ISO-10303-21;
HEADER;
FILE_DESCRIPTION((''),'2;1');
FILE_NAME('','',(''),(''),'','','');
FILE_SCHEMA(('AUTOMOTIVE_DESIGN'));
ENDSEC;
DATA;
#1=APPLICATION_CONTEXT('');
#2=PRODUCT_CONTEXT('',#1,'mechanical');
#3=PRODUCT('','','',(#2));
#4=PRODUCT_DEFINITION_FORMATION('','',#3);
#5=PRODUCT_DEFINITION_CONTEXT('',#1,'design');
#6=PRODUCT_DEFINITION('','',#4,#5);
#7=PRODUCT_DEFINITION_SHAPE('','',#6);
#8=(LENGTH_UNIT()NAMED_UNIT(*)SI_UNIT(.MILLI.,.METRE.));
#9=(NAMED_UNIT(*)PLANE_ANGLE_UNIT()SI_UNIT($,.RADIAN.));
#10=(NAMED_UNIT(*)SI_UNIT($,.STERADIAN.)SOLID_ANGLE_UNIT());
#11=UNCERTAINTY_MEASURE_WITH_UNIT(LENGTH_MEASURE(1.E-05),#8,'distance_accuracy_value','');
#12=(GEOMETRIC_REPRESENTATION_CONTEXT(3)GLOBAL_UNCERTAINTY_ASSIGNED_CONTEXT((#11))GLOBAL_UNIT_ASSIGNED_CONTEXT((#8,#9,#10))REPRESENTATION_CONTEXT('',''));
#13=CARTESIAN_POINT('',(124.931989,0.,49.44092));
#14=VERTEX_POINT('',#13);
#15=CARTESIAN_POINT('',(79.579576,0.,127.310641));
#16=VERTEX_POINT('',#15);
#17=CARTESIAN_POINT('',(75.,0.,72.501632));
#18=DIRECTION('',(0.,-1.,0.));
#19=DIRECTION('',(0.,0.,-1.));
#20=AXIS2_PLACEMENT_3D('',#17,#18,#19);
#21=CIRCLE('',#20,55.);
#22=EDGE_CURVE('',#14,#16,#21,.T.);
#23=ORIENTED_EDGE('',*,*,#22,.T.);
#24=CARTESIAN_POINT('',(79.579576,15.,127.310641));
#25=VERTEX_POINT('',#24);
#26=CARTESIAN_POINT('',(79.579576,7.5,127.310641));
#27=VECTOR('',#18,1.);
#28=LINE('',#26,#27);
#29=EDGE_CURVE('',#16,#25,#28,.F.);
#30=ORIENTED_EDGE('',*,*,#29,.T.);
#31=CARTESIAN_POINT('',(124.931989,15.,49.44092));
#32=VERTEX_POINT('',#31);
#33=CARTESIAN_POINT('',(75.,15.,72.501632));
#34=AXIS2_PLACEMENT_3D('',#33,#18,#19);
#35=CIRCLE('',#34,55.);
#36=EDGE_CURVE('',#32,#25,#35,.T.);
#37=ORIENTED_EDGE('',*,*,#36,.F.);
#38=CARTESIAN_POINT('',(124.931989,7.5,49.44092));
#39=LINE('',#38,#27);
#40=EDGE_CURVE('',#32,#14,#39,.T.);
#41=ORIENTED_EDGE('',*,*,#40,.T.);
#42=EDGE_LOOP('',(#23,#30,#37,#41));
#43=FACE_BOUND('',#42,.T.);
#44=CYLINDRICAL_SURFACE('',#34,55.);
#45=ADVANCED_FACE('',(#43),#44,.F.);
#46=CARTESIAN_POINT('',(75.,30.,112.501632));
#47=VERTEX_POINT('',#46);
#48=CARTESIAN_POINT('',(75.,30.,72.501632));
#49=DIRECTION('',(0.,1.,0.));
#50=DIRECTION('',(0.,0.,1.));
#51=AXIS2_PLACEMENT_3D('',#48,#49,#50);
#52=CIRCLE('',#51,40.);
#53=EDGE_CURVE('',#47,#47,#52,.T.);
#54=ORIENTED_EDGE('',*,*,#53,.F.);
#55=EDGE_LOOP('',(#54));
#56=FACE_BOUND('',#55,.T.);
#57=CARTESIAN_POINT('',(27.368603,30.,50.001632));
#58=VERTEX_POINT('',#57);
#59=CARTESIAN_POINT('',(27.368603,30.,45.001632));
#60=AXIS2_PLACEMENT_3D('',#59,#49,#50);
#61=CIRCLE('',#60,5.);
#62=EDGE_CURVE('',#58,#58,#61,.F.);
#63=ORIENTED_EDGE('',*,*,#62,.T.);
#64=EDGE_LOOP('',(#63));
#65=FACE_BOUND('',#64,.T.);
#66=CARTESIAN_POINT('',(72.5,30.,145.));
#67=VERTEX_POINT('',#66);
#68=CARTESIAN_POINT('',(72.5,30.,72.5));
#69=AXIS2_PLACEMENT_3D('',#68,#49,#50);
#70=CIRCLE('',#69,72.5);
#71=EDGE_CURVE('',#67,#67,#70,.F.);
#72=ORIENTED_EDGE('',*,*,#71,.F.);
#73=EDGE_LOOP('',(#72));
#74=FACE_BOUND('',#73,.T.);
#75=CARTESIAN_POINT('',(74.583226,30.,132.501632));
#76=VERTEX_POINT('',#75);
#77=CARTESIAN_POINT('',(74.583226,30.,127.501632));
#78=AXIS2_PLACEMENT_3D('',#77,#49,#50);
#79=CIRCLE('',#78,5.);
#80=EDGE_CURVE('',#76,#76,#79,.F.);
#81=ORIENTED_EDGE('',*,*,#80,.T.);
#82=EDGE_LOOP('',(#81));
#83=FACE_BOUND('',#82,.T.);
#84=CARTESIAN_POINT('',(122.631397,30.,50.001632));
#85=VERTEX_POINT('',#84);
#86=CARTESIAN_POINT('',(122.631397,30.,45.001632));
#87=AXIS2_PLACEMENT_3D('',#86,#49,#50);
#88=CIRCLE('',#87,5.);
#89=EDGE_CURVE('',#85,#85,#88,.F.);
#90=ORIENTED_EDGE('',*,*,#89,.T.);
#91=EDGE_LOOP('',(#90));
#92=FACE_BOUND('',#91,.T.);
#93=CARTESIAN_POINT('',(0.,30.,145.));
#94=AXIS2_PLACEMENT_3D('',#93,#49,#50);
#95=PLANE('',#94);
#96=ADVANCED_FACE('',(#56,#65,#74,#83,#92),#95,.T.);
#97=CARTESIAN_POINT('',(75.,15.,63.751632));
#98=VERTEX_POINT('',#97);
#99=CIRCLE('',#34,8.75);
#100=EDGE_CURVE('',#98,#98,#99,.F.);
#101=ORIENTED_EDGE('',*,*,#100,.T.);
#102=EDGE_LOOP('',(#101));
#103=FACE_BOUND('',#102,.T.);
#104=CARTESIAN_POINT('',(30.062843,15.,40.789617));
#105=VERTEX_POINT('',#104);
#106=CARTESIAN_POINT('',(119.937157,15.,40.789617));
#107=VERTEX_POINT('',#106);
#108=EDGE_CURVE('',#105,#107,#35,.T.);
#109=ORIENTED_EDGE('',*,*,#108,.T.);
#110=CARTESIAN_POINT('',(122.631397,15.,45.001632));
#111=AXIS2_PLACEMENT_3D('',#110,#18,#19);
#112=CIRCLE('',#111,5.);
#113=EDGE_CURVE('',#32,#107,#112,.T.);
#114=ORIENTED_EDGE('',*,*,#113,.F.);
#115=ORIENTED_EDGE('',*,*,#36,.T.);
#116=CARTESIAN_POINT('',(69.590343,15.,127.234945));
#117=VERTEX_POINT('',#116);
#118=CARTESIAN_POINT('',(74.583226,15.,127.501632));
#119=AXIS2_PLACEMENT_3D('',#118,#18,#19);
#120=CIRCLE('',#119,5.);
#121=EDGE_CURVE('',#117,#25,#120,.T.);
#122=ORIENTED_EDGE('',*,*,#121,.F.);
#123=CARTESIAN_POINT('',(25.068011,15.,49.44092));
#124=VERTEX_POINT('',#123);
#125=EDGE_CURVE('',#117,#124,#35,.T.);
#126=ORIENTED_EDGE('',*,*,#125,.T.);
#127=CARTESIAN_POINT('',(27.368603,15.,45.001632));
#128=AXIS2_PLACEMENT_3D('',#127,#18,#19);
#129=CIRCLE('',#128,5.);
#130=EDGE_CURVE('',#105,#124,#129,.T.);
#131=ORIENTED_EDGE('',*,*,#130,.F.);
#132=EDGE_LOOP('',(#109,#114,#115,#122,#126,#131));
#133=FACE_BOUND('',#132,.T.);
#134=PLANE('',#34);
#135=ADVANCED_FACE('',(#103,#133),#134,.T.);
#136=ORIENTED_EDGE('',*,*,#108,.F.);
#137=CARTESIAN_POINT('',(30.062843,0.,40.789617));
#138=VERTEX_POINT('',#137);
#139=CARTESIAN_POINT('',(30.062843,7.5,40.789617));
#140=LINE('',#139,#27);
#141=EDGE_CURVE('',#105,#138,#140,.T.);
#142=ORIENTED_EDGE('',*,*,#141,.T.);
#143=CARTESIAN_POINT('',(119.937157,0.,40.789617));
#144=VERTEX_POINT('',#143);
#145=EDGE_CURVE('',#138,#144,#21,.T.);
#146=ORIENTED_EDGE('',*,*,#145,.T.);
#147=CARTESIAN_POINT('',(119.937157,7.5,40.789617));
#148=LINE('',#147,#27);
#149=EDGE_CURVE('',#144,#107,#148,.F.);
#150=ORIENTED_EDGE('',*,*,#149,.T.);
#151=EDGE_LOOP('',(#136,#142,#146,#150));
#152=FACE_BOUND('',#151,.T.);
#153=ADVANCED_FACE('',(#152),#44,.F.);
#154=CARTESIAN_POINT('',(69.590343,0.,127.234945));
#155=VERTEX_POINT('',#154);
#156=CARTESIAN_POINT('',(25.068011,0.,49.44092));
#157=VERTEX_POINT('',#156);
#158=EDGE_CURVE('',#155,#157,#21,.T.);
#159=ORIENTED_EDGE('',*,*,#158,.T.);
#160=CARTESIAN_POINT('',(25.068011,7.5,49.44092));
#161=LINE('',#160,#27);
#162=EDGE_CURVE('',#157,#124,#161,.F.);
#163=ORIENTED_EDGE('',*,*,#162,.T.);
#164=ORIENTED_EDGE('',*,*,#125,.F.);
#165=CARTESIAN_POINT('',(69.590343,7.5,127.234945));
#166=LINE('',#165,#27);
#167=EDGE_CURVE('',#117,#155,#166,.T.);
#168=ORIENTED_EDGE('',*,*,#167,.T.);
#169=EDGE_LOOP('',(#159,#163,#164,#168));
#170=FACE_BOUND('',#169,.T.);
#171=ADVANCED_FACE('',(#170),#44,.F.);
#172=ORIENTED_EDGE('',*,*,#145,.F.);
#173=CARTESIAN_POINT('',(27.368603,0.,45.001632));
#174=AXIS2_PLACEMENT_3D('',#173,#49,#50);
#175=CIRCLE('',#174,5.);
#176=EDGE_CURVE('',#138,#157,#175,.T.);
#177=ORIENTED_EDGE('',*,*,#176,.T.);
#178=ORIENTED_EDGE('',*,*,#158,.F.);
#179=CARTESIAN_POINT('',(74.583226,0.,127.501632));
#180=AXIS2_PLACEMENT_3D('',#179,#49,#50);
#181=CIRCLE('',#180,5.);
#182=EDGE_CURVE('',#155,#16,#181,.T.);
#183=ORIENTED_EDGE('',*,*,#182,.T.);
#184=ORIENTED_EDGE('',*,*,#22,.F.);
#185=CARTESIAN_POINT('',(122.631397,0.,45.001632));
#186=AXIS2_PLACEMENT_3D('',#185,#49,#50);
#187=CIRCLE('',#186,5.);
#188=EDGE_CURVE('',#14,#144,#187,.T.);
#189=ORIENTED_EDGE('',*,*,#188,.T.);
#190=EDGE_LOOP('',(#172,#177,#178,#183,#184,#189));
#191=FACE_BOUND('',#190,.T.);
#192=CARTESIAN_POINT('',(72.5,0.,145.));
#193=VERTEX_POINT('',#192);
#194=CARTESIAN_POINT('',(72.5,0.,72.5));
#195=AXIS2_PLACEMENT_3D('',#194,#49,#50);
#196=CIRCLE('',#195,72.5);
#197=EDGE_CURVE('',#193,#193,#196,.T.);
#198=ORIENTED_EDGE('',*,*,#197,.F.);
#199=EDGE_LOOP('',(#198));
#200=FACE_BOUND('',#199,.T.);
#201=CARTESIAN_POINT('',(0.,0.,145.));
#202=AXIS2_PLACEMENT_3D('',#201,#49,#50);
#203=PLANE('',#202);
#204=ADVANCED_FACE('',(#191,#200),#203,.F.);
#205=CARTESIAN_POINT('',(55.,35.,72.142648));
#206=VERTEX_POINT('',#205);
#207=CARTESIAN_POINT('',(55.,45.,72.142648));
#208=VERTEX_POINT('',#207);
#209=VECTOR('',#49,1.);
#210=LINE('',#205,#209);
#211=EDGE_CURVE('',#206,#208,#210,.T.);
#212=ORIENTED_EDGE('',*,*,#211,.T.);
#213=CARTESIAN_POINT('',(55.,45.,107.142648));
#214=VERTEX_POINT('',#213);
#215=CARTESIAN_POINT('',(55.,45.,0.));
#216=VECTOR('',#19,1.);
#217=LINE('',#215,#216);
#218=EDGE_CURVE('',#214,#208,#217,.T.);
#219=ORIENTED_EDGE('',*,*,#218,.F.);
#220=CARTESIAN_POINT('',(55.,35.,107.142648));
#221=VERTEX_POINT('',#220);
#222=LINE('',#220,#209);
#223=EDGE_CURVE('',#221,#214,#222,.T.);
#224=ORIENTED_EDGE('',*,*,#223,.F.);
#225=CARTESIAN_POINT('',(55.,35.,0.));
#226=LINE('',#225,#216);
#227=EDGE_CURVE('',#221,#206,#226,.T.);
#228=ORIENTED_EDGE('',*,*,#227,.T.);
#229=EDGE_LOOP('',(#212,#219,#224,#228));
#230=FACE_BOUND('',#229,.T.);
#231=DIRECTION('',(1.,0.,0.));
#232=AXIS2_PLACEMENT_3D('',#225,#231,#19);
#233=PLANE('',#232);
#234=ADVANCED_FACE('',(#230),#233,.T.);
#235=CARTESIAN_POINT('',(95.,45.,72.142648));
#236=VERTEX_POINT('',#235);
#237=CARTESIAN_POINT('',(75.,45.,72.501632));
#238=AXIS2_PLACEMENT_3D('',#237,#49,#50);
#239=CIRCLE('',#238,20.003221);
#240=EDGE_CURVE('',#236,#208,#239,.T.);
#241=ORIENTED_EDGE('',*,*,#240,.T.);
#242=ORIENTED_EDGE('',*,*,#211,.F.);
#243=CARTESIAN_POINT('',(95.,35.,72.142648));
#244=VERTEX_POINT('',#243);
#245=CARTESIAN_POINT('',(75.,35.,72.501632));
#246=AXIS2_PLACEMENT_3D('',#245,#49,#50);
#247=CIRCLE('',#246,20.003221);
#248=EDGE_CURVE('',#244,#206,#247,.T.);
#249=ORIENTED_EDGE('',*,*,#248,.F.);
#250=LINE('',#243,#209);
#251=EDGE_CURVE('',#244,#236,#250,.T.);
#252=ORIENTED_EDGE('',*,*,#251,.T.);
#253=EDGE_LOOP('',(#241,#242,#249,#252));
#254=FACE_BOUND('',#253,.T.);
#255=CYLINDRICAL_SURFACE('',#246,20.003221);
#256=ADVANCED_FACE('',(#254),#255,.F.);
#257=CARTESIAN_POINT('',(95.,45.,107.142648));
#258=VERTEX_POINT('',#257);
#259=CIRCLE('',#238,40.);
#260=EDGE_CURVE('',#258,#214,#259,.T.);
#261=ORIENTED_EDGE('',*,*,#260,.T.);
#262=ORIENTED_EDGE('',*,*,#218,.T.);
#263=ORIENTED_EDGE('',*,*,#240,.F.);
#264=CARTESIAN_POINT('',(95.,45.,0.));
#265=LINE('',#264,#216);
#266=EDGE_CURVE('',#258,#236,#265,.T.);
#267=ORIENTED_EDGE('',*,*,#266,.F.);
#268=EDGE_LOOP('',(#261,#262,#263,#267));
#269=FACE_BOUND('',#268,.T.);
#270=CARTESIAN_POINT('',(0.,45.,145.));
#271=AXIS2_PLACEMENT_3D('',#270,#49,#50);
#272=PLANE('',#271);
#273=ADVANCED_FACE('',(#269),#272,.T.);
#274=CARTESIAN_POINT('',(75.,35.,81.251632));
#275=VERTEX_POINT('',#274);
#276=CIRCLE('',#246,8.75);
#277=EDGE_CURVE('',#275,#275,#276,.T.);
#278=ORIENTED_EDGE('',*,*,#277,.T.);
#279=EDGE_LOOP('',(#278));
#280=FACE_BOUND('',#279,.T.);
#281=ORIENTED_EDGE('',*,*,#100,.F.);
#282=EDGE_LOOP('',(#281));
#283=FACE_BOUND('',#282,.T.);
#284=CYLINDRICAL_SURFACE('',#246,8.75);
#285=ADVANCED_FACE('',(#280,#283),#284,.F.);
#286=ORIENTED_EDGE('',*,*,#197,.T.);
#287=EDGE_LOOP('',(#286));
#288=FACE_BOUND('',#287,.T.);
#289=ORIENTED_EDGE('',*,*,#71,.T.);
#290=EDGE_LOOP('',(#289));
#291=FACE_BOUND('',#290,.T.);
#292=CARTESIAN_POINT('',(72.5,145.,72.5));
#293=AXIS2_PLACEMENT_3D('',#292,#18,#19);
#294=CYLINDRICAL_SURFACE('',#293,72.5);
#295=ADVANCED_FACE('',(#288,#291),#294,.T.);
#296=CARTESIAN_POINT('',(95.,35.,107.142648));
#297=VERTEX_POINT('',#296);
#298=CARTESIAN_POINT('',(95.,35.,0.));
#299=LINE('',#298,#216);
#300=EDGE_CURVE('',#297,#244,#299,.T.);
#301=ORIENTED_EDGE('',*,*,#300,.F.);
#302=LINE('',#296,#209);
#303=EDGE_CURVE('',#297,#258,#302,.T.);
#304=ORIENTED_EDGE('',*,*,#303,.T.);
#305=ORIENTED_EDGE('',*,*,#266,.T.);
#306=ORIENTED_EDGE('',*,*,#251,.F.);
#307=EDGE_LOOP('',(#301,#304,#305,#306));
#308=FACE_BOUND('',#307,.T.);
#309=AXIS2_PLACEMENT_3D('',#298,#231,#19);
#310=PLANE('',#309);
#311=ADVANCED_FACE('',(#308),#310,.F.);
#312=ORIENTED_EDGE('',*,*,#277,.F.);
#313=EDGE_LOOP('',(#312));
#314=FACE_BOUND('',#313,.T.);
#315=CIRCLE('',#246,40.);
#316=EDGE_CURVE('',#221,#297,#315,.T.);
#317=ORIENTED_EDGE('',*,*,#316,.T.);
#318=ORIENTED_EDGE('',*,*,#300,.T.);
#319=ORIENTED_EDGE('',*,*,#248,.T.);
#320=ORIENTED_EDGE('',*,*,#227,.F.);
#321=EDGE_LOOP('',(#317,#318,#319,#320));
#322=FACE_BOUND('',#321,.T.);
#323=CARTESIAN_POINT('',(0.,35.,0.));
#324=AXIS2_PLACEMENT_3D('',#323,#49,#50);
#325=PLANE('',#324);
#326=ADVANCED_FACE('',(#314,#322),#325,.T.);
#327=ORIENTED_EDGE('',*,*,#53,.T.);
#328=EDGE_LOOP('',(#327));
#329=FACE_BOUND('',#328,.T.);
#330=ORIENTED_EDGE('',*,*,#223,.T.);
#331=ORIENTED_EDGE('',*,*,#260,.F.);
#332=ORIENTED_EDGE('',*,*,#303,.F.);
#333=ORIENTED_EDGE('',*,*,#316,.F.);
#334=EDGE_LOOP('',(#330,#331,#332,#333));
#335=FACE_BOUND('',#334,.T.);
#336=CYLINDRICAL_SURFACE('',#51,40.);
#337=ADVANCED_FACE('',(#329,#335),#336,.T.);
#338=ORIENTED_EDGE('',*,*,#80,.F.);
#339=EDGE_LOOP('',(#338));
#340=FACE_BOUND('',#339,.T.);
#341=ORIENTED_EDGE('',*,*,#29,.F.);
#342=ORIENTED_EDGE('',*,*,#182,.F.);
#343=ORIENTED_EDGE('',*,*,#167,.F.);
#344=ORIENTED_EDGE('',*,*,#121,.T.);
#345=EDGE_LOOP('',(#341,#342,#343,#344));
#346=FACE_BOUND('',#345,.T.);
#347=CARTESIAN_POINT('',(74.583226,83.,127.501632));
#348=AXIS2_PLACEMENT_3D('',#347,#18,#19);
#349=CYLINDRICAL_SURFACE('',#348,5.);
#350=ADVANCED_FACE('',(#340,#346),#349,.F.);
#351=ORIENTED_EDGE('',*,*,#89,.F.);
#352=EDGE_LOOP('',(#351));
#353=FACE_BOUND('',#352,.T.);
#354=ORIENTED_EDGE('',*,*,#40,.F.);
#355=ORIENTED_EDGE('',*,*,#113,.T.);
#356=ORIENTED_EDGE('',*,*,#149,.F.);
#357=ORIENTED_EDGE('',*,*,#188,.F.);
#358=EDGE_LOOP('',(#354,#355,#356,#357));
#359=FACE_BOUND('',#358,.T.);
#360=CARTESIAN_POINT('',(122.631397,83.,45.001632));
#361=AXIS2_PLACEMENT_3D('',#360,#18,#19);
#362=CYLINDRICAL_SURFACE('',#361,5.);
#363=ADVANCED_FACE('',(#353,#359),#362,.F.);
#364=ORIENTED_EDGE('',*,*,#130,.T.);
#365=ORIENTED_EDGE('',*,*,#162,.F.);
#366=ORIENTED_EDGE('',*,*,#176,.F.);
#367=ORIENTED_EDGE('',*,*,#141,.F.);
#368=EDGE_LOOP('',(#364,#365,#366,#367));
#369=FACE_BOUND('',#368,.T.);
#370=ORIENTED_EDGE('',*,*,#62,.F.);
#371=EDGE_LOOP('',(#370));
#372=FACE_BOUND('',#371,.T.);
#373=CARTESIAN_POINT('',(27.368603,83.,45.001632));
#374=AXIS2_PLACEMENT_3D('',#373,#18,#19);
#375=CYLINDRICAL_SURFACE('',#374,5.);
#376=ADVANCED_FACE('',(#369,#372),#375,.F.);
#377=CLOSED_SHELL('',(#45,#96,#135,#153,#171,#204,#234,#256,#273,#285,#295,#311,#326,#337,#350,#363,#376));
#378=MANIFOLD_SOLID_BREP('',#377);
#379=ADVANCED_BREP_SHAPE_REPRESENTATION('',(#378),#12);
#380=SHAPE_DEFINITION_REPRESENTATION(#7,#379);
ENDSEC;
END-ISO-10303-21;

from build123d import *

# Parameters (mm, degrees)
SKETCH1_W              = 150
SKETCH1_H              = 30
SKETCH1_W_2            = 80
SKETCH1_H_2            = 15
BOSS_EXTRUDE1_DEPTH    = 145
CUT_EXTRUDE1_DEPTH     = 145
CUT_EXTRUDE2_DEPTH     = 15
CUT_EXTRUDE3_DEPTH     = 10
M20_TAPPED_HOLE1_D     = 17.5
M20_TAPPED_HOLE1_DEPTH = 40
M20_TAPPED_HOLE1_TIP   = 5.257530416
SKETCH7_R              = 5
CUT_EXTRUDE4_DEPTH     = 83
SKETCH8_R              = 55
CUT_EXTRUDE5_DEPTH     = 15


with BuildPart() as part:
    # Sketch1 → Boss-Extrude1 (new body)
    with BuildSketch(Plane.XY):
        with Locations((75, 15)):
            Rectangle(SKETCH1_W, SKETCH1_H)
        with Locations((75, 37.5)):
            Rectangle(SKETCH1_W_2, SKETCH1_H_2)
    extrude(amount=BOSS_EXTRUDE1_DEPTH)

    # Sketch2 → Cut-Extrude1 (cut)
    with BuildSketch(Plane(origin=(0, 0, 0), x_dir=(1, 0, 0), z_dir=(0, 1, 0))):
        with BuildLine():
            Line((72.5, 0), (0, 0))
            Line((0, 0), (0, -72.5))
            ThreePointArc((0, -72.5), (21.234758364, -21.234758364), (72.5, 0))
        make_face()
        with BuildLine():
            ThreePointArc((72.5, -145), (21.234758364, -123.765241636), (0, -72.5))
            Line((0, -72.5), (0, -145))
            Line((0, -145), (72.5, -145))
        make_face()
        with BuildLine():
            Line((150, 0), (72.5, 0))
            ThreePointArc((72.5, 0), (123.765241636, -21.234758364), (145, -72.5))
            ThreePointArc((145, -72.5), (123.765241636, -123.765241636), (72.5, -145))
            Line((72.5, -145), (150, -145))
            Line((150, -145), (150, 0))
        make_face()
    extrude(amount=CUT_EXTRUDE1_DEPTH, mode=Mode.SUBTRACT)

    # Sketch3 → Cut-Extrude2 (cut)
    with BuildSketch(Plane(origin=(0, 45, 0), x_dir=(1, 0, 0), z_dir=(0, 1, 0))):
        with BuildLine():
            ThreePointArc((115, -13.763299378), (75.498630618, -0.062038858), (35, -10.45163177))
            Line((35, -10.45163177), (35, -72.50163177))
            ThreePointArc((35, -72.50163177), (75, -32.50163177), (115, -72.50163177))
            Line((115, -72.50163177), (115, -13.763299378))
        make_face()
        with BuildLine():
            ThreePointArc((115, -72.50163177), (75, -112.50163177), (35, -72.50163177))
            Line((35, -72.50163177), (35, -134.54836823))
            ThreePointArc((35, -134.54836823), (75.498630618, -144.937961142), (115, -131.236700622))
            Line((115, -131.236700622), (115, -72.50163177))
        make_face()
    extrude(amount=-CUT_EXTRUDE2_DEPTH, mode=Mode.SUBTRACT)

    # Sketch4 → Cut-Extrude3 (cut)
    with BuildSketch(Plane(origin=(0, 45, 0), x_dir=(1, 0, 0), z_dir=(0, 1, 0))):
        with BuildLine():
            Line((55, -107.142647921), (55, -72.142647921))
            ThreePointArc((55, -72.142647921), (75, -52.498410294), (95, -72.142647921))
            Line((95, -72.142647921), (95, -107.142647921))
            ThreePointArc((95, -107.142647921), (75, -112.50163177), (55, -107.142647921))
        make_face()
    extrude(amount=-CUT_EXTRUDE3_DEPTH, mode=Mode.SUBTRACT)

    # M20 Tapped Hole1
    with Locations(Plane(origin=(75, 35, 72.50163177), x_dir=(0, 0, 1), z_dir=(0, 1, 0))):
        with Locations((0, 0)):
            Hole(M20_TAPPED_HOLE1_D / 2, depth=M20_TAPPED_HOLE1_DEPTH)
            with Locations((0, 0, -(M20_TAPPED_HOLE1_DEPTH + M20_TAPPED_HOLE1_TIP / 2))):  # 118° drill point
                Cone(0, M20_TAPPED_HOLE1_D / 2, M20_TAPPED_HOLE1_TIP, mode=Mode.SUBTRACT)

    # Sketch7 → Cut-Extrude4 (cut)
    with BuildSketch(Plane(origin=(0, 0, 0), x_dir=(1, 0, 0), z_dir=(0, 1, 0))):
        with Locations((74.583225581, -127.50163177)):
            Circle(SKETCH7_R)
        with Locations((27.368602792, -45.00163177)):
            Circle(SKETCH7_R)
        with Locations((122.631397208, -45.00163177)):
            Circle(SKETCH7_R)
    extrude(amount=CUT_EXTRUDE4_DEPTH, mode=Mode.SUBTRACT)

    # Sketch8 → Cut-Extrude5 (cut)
    with BuildSketch(Plane.XZ):
        with Locations((75, 72.50163177)):
            Circle(SKETCH8_R)
    extrude(amount=-CUT_EXTRUDE5_DEPTH, mode=Mode.SUBTRACT)


solid = part.part
